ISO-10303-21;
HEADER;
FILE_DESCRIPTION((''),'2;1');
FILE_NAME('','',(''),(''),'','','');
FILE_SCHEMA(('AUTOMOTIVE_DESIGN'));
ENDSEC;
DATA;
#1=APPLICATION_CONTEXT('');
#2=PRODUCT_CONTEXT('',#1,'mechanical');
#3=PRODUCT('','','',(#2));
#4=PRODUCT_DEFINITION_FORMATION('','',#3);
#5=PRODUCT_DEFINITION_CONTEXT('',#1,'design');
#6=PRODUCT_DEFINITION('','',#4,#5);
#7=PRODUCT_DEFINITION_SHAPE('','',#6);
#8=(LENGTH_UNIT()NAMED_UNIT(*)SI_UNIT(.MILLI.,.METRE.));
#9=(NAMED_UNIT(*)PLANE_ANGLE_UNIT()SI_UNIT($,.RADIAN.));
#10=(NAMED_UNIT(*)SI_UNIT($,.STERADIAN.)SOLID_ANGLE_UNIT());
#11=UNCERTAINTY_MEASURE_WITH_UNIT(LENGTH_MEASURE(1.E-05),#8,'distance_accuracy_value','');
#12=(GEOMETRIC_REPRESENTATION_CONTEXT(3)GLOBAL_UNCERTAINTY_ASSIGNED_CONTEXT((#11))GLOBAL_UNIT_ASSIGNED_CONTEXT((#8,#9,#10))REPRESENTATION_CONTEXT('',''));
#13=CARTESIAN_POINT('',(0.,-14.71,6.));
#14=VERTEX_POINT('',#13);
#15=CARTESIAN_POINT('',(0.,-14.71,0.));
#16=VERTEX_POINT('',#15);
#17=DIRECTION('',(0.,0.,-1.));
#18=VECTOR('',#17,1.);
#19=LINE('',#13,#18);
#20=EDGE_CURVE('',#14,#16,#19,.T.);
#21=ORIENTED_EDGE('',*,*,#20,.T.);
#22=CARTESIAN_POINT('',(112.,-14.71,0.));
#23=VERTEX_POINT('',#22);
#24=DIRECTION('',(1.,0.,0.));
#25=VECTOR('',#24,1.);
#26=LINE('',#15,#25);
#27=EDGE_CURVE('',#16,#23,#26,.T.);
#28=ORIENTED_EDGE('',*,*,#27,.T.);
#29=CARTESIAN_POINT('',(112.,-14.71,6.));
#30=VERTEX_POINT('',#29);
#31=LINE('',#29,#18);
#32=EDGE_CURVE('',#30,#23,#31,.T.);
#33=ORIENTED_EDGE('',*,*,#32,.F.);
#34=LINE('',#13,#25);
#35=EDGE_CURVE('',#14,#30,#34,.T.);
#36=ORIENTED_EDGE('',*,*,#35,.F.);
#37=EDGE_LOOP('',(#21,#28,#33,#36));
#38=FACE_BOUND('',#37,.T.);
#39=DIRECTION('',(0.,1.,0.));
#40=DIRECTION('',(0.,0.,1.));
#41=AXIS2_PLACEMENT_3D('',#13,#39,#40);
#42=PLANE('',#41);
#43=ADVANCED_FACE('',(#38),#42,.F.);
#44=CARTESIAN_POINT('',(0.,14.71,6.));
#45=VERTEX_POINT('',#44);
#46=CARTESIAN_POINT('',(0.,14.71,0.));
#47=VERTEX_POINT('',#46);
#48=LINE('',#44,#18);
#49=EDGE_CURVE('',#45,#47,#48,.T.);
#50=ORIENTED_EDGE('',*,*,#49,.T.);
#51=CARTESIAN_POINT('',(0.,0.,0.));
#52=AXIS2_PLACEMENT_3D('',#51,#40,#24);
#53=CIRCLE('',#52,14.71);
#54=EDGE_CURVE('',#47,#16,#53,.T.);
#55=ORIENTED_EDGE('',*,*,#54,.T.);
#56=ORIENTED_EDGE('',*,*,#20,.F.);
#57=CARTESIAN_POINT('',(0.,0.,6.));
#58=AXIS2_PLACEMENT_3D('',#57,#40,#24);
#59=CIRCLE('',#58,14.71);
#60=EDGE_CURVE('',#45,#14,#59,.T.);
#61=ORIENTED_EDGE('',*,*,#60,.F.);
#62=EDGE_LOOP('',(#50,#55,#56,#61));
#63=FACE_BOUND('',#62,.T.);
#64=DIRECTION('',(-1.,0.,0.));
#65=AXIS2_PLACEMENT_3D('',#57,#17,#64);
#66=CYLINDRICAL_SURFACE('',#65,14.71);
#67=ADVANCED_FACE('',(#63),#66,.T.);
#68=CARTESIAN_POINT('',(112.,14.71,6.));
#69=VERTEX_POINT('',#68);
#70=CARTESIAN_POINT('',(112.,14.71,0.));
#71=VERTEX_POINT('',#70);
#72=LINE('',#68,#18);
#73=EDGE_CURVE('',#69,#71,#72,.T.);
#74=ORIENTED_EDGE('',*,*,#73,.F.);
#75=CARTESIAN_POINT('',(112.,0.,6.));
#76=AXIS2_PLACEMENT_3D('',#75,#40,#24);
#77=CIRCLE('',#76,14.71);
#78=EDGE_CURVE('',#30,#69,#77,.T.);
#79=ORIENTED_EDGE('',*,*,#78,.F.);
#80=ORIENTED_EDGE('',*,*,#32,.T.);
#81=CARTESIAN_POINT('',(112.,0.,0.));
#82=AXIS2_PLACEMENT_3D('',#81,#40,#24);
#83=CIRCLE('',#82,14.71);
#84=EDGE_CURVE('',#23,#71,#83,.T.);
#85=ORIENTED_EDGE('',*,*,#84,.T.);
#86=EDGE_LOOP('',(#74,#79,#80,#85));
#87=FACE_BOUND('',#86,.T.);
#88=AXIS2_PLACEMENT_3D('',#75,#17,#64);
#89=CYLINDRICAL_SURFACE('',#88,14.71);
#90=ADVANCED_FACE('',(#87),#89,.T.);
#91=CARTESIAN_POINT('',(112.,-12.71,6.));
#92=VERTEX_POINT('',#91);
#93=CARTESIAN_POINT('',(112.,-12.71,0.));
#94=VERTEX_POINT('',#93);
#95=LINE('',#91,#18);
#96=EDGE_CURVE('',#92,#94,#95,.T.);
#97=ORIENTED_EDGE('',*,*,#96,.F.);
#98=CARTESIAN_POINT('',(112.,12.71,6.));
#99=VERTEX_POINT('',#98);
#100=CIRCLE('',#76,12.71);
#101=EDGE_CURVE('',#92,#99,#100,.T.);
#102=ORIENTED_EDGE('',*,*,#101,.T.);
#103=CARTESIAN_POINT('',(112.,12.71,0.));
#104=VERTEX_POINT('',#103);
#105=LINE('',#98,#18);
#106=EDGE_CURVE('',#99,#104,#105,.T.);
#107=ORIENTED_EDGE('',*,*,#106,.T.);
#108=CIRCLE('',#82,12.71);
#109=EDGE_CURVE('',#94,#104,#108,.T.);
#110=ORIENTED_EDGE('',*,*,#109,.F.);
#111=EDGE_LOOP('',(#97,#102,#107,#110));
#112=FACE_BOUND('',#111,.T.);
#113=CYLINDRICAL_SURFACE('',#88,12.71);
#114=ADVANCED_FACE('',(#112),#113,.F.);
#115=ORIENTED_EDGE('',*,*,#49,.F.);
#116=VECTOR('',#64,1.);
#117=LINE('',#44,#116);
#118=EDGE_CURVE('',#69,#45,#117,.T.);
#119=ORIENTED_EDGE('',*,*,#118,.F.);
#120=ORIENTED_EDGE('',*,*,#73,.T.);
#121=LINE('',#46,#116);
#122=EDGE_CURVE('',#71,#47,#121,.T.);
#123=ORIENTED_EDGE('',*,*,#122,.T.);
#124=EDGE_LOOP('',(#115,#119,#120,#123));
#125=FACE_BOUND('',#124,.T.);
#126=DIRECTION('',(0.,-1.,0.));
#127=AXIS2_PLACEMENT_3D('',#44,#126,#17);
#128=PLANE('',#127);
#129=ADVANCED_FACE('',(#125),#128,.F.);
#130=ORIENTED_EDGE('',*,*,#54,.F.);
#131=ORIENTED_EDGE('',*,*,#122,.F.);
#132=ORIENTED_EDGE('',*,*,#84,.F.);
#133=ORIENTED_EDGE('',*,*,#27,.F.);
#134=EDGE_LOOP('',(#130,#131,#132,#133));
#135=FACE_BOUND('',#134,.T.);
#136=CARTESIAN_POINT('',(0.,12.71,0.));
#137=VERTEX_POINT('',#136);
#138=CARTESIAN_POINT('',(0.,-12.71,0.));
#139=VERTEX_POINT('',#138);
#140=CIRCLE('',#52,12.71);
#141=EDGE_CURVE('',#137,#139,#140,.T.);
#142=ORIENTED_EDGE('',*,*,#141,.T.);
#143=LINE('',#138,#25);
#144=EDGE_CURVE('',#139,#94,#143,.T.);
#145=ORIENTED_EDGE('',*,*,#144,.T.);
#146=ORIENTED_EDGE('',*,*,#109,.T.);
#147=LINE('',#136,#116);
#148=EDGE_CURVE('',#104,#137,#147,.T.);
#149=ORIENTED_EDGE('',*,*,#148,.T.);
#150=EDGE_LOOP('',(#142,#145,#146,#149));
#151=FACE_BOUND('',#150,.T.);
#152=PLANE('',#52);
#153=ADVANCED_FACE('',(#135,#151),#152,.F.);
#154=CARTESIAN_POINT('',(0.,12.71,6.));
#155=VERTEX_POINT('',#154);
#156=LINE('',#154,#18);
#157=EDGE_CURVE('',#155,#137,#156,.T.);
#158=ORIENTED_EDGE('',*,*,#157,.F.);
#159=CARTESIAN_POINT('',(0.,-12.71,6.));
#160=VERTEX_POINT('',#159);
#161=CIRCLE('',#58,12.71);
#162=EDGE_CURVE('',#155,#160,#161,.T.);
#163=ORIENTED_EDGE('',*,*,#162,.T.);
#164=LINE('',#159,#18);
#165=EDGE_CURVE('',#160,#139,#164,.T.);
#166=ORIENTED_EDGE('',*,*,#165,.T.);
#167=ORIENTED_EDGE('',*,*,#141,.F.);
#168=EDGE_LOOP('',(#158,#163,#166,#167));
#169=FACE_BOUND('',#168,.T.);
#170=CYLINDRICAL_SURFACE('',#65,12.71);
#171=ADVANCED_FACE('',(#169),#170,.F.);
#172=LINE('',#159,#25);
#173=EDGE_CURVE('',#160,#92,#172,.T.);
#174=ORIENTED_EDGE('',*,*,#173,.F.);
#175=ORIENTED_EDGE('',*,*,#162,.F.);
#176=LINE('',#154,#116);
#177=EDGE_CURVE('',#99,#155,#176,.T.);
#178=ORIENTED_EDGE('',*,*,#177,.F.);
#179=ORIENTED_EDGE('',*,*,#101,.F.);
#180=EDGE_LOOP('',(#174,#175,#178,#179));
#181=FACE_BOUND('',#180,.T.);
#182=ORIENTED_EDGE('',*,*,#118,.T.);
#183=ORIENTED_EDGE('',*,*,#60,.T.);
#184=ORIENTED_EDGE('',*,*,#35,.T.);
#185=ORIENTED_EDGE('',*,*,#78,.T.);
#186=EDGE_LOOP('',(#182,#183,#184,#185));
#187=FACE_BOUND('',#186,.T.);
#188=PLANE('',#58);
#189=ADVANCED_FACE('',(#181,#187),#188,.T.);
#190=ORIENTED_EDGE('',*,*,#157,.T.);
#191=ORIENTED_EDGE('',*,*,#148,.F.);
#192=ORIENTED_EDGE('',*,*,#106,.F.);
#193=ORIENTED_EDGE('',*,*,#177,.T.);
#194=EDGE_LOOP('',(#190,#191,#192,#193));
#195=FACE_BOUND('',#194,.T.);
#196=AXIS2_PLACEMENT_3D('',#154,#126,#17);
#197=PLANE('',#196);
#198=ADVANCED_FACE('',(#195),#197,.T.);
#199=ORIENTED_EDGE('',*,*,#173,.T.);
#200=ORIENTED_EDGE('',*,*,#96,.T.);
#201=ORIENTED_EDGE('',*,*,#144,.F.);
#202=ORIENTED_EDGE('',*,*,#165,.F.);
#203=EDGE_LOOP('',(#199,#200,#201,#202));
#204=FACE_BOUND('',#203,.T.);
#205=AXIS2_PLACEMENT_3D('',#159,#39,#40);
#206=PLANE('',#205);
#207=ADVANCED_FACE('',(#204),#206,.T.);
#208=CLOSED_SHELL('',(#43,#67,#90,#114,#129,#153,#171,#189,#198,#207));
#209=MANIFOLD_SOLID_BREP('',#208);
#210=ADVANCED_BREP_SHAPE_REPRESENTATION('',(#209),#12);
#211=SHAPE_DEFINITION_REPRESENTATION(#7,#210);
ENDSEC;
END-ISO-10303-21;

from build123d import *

# Parameters (mm, degrees)
BOSS_EXTRUDE1_DEPTH = 6


with BuildPart() as part:
    # Sketch1 → Boss-Extrude1 (new body)
    with BuildSketch(Plane.XY):
        with BuildLine():
            Line((0, 14.71), (112, 14.71))
            ThreePointArc((112, 14.71), (126.71, 0), (112, -14.71))
            Line((112, -14.71), (0, -14.71))
            ThreePointArc((0, -14.71), (-14.71, 0), (0, 14.71))
        make_face()
        with BuildLine():
            Line((0, 12.71), (112, 12.71))
            ThreePointArc((112, 12.71), (124.71, 0), (112, -12.71))
            Line((112, -12.71), (0, -12.71))
            ThreePointArc((0, -12.71), (-12.71, 0), (0, 12.71))
        make_face(mode=Mode.SUBTRACT)
    extrude(amount=BOSS_EXTRUDE1_DEPTH)


solid = part.part
